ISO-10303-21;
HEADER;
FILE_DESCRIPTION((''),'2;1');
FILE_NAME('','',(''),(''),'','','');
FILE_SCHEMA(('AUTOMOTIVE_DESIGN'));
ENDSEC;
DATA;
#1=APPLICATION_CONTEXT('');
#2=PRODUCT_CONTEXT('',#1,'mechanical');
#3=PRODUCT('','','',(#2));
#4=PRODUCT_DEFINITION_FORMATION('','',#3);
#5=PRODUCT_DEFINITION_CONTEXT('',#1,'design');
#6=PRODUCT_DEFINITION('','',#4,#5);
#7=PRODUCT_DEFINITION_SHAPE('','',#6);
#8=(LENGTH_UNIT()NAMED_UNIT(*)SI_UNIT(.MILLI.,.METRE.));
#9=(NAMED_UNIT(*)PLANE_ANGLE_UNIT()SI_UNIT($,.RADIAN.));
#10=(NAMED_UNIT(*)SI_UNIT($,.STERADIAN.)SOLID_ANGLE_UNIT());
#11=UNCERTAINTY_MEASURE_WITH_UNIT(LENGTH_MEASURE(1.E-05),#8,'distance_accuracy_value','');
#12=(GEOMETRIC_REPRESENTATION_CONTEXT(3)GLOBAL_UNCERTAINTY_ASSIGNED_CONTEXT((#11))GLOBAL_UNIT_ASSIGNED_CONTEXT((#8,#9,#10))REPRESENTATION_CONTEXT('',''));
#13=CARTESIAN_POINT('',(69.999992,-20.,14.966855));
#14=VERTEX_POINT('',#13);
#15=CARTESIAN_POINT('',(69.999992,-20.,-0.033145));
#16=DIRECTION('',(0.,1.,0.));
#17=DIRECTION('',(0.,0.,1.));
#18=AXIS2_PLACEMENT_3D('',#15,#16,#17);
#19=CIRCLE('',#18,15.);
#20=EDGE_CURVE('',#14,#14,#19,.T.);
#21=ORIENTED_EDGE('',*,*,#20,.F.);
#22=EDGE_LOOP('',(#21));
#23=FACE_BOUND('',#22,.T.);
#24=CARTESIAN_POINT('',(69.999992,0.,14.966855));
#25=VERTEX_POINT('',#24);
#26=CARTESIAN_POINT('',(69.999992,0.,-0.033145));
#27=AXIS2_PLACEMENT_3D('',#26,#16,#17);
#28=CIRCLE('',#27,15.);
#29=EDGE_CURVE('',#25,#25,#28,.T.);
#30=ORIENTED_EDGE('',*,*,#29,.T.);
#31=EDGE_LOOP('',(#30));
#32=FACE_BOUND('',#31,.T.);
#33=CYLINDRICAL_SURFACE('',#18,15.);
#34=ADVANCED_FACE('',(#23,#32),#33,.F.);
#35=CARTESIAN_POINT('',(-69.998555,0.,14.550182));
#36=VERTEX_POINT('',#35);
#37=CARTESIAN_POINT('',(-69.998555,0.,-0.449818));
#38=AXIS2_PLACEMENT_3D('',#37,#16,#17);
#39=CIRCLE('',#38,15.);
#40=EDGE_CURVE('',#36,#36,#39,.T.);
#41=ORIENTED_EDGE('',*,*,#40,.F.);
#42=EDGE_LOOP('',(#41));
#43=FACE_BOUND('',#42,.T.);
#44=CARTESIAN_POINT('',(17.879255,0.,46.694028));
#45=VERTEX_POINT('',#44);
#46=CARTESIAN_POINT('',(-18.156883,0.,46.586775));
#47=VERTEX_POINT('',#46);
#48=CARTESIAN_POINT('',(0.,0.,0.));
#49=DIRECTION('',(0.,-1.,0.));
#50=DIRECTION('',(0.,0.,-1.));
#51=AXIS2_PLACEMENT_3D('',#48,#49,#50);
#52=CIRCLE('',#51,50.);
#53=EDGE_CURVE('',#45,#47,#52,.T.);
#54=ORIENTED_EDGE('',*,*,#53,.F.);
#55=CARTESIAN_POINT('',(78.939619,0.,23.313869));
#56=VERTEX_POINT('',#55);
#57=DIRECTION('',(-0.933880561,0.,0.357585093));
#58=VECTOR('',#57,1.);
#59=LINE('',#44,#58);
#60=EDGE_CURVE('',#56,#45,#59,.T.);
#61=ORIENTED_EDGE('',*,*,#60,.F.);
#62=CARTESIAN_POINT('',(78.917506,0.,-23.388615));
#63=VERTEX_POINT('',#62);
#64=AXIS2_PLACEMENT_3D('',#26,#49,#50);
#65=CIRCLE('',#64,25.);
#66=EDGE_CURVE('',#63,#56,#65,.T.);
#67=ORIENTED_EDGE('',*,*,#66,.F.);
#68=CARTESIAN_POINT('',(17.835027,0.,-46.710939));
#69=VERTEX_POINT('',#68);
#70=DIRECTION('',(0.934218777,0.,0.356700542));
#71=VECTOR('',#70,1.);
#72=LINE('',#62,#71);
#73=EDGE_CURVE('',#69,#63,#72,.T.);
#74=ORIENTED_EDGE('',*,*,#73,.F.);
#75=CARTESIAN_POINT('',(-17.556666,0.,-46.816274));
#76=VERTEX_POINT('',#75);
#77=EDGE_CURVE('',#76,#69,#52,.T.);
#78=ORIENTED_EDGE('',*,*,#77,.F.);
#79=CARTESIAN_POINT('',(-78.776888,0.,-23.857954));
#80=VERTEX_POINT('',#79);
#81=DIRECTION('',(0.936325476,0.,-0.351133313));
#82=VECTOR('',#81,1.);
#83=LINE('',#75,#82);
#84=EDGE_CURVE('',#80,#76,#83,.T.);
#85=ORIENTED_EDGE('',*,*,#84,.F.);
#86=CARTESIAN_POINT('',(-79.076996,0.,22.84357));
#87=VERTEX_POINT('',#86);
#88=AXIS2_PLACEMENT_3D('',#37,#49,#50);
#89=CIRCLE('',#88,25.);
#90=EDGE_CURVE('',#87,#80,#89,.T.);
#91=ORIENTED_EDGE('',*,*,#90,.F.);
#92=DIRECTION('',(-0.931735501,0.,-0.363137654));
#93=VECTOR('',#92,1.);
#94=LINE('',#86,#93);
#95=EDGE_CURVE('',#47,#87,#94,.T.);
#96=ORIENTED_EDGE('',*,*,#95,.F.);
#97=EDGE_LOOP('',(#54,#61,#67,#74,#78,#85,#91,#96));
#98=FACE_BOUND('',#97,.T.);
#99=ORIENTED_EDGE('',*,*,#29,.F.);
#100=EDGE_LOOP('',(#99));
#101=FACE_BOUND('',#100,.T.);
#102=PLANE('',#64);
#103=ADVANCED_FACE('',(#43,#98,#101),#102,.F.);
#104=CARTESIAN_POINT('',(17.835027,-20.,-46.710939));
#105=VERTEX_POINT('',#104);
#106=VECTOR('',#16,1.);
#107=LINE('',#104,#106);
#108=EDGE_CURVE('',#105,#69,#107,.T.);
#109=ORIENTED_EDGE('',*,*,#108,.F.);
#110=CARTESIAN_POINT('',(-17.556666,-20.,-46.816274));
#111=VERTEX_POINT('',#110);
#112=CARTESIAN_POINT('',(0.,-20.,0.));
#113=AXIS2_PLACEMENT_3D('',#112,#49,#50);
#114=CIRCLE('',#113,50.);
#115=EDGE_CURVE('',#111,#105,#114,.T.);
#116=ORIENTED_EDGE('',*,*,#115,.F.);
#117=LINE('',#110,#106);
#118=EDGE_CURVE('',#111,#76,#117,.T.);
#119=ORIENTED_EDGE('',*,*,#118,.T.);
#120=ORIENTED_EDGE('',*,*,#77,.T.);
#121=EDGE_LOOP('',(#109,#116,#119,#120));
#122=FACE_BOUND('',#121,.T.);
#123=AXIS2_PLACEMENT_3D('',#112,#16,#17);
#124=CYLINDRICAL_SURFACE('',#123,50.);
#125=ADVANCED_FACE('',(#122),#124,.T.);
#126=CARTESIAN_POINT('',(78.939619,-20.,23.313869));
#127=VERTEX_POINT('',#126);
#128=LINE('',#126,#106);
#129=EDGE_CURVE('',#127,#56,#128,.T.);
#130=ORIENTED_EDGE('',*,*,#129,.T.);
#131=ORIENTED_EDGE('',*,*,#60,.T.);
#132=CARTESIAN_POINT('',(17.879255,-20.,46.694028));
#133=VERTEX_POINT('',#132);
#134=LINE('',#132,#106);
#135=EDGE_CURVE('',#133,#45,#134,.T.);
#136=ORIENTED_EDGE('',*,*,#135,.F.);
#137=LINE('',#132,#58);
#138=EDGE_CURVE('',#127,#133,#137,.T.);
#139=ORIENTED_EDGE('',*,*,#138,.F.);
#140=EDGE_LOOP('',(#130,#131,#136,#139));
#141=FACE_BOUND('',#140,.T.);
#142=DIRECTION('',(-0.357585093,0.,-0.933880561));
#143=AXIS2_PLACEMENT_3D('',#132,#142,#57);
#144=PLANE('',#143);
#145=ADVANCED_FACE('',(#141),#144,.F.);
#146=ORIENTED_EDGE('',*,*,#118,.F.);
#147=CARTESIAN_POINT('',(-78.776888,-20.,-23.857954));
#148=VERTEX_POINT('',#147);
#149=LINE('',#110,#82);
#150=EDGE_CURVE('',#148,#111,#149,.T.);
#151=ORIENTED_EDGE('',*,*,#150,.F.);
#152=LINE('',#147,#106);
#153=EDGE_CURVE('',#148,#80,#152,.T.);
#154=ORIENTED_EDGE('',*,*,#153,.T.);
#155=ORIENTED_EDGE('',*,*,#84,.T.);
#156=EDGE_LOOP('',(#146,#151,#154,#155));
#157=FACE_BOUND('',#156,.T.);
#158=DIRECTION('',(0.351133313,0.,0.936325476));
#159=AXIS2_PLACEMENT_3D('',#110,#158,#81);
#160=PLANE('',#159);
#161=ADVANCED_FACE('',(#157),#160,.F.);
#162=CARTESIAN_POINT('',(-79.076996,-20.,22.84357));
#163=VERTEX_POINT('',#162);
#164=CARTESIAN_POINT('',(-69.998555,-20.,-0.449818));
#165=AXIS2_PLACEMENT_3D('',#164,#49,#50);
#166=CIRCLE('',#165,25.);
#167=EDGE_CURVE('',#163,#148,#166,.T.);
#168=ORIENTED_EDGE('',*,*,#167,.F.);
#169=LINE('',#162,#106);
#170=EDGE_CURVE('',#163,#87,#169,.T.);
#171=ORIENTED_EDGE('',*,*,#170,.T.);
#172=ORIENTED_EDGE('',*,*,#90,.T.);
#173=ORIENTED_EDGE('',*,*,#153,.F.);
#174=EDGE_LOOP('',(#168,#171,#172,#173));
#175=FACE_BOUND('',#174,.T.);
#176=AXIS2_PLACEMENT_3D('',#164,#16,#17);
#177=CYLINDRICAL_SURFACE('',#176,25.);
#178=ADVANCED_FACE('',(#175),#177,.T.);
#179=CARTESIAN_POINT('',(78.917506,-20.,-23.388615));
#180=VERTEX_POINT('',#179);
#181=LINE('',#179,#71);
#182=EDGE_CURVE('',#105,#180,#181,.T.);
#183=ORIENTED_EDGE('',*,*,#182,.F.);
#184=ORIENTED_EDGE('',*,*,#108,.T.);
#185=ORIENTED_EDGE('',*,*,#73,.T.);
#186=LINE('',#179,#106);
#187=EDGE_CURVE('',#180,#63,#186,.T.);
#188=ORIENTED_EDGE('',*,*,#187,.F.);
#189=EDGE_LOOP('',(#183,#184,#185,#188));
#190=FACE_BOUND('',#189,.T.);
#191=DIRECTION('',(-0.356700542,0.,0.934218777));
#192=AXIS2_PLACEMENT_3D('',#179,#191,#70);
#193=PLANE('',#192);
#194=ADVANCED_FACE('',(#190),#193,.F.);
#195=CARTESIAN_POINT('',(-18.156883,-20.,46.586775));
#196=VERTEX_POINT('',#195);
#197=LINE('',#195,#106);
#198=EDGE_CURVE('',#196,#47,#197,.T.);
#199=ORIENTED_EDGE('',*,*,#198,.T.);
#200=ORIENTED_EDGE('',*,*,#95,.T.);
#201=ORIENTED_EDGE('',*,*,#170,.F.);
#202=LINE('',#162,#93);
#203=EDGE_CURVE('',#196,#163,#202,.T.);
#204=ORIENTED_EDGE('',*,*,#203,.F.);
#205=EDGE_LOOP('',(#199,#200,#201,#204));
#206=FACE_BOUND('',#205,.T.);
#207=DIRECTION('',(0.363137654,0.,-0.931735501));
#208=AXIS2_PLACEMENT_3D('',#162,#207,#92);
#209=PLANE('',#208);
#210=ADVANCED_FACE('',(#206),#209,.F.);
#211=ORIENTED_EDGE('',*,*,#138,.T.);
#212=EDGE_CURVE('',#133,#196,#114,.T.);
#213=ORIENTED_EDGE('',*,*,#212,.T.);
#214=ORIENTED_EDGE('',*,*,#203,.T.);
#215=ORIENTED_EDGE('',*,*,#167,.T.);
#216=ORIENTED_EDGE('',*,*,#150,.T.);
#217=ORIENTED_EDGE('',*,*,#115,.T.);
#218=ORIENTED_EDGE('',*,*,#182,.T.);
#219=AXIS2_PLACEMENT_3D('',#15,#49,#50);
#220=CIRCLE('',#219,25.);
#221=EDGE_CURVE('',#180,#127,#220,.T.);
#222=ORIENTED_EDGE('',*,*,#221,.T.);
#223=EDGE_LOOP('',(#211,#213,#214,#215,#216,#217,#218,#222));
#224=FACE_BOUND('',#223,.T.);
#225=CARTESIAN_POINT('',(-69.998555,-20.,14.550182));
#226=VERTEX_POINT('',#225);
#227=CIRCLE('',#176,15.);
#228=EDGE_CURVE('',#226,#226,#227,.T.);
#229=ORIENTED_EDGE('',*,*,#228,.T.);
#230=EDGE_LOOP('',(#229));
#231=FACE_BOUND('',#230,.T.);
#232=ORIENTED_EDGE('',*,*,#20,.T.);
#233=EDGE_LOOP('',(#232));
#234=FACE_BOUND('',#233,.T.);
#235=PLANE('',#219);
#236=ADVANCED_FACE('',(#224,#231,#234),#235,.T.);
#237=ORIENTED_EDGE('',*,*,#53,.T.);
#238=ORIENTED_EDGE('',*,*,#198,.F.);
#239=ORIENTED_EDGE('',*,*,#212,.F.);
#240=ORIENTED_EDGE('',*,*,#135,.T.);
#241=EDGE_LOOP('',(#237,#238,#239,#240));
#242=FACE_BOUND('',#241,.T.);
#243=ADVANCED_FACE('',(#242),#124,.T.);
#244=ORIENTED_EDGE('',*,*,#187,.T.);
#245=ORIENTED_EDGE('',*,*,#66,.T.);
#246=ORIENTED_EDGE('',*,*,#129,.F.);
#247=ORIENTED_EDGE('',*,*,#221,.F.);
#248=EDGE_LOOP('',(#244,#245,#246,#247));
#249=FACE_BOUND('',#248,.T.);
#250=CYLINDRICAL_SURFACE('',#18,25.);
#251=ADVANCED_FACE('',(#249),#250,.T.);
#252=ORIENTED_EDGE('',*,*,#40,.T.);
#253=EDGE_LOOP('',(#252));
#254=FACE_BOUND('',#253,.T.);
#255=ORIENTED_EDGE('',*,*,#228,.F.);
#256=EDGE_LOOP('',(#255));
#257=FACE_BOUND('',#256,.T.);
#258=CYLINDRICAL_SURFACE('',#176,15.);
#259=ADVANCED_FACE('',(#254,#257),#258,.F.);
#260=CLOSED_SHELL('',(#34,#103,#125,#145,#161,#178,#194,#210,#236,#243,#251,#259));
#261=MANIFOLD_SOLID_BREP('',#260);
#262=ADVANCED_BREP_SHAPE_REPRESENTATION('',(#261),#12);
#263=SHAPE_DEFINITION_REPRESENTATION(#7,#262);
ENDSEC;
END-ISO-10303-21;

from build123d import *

# Parameters (mm, degrees)
EXTRUDE_324_DEPTH  = 20
SKETCH1_R          = 15
CUT_EXTRUDE1_DEPTH = 110.201641513


with BuildPart() as part:
    # Эскиз1 → Extrude 324 (new body)
    with BuildSketch(Plane(origin=(0, 0, 0), x_dir=(-1, 0, 0), z_dir=(0, -1, 0))):
        with BuildLine():
            Line((-78.917505692, 23.388614652), (-17.835027079, 46.710938859))
            ThreePointArc((-17.835027079, 46.710938859), (-0.148812417, 49.999778548), (17.556665634, 46.816273793))
            Line((17.556665634, 46.816273793), (78.776887546, 23.857954408))
            ThreePointArc((78.776887546, 23.857954408), (94.998038561, 0.610466623), (79.076996078, -22.84357002))
            Line((79.076996078, -22.84357002), (18.156882698, -46.586775062))
            ThreePointArc((18.156882698, -46.586775062), (0.148812417, -49.999778548), (-17.879254632, -46.694028031))
            Line((-17.879254632, -46.694028031), (-78.939619469, -23.313868793))
            ThreePointArc((-78.939619469, -23.313868793), (-94.99998935, 0.044982802), (-78.917505692, 23.388614652))
        make_face()
    extrude(amount=EXTRUDE_324_DEPTH)

    # Sketch1 → Cut-Extrude1 (cut, through all)
    with BuildSketch(Plane(origin=(0, 0, 0), x_dir=(1, 0, 0), z_dir=(0, 1, 0))):
        with Locations(Location((-69.998554729, 0.449817511, 0), (0, 0, 270))):
            Circle(SKETCH1_R)
        with Locations(Location((69.999992153, 0.033145222, 0), (0, 0, 270))):
            Circle(SKETCH1_R)
    extrude(amount=-CUT_EXTRUDE1_DEPTH, mode=Mode.SUBTRACT)


solid = part.part
